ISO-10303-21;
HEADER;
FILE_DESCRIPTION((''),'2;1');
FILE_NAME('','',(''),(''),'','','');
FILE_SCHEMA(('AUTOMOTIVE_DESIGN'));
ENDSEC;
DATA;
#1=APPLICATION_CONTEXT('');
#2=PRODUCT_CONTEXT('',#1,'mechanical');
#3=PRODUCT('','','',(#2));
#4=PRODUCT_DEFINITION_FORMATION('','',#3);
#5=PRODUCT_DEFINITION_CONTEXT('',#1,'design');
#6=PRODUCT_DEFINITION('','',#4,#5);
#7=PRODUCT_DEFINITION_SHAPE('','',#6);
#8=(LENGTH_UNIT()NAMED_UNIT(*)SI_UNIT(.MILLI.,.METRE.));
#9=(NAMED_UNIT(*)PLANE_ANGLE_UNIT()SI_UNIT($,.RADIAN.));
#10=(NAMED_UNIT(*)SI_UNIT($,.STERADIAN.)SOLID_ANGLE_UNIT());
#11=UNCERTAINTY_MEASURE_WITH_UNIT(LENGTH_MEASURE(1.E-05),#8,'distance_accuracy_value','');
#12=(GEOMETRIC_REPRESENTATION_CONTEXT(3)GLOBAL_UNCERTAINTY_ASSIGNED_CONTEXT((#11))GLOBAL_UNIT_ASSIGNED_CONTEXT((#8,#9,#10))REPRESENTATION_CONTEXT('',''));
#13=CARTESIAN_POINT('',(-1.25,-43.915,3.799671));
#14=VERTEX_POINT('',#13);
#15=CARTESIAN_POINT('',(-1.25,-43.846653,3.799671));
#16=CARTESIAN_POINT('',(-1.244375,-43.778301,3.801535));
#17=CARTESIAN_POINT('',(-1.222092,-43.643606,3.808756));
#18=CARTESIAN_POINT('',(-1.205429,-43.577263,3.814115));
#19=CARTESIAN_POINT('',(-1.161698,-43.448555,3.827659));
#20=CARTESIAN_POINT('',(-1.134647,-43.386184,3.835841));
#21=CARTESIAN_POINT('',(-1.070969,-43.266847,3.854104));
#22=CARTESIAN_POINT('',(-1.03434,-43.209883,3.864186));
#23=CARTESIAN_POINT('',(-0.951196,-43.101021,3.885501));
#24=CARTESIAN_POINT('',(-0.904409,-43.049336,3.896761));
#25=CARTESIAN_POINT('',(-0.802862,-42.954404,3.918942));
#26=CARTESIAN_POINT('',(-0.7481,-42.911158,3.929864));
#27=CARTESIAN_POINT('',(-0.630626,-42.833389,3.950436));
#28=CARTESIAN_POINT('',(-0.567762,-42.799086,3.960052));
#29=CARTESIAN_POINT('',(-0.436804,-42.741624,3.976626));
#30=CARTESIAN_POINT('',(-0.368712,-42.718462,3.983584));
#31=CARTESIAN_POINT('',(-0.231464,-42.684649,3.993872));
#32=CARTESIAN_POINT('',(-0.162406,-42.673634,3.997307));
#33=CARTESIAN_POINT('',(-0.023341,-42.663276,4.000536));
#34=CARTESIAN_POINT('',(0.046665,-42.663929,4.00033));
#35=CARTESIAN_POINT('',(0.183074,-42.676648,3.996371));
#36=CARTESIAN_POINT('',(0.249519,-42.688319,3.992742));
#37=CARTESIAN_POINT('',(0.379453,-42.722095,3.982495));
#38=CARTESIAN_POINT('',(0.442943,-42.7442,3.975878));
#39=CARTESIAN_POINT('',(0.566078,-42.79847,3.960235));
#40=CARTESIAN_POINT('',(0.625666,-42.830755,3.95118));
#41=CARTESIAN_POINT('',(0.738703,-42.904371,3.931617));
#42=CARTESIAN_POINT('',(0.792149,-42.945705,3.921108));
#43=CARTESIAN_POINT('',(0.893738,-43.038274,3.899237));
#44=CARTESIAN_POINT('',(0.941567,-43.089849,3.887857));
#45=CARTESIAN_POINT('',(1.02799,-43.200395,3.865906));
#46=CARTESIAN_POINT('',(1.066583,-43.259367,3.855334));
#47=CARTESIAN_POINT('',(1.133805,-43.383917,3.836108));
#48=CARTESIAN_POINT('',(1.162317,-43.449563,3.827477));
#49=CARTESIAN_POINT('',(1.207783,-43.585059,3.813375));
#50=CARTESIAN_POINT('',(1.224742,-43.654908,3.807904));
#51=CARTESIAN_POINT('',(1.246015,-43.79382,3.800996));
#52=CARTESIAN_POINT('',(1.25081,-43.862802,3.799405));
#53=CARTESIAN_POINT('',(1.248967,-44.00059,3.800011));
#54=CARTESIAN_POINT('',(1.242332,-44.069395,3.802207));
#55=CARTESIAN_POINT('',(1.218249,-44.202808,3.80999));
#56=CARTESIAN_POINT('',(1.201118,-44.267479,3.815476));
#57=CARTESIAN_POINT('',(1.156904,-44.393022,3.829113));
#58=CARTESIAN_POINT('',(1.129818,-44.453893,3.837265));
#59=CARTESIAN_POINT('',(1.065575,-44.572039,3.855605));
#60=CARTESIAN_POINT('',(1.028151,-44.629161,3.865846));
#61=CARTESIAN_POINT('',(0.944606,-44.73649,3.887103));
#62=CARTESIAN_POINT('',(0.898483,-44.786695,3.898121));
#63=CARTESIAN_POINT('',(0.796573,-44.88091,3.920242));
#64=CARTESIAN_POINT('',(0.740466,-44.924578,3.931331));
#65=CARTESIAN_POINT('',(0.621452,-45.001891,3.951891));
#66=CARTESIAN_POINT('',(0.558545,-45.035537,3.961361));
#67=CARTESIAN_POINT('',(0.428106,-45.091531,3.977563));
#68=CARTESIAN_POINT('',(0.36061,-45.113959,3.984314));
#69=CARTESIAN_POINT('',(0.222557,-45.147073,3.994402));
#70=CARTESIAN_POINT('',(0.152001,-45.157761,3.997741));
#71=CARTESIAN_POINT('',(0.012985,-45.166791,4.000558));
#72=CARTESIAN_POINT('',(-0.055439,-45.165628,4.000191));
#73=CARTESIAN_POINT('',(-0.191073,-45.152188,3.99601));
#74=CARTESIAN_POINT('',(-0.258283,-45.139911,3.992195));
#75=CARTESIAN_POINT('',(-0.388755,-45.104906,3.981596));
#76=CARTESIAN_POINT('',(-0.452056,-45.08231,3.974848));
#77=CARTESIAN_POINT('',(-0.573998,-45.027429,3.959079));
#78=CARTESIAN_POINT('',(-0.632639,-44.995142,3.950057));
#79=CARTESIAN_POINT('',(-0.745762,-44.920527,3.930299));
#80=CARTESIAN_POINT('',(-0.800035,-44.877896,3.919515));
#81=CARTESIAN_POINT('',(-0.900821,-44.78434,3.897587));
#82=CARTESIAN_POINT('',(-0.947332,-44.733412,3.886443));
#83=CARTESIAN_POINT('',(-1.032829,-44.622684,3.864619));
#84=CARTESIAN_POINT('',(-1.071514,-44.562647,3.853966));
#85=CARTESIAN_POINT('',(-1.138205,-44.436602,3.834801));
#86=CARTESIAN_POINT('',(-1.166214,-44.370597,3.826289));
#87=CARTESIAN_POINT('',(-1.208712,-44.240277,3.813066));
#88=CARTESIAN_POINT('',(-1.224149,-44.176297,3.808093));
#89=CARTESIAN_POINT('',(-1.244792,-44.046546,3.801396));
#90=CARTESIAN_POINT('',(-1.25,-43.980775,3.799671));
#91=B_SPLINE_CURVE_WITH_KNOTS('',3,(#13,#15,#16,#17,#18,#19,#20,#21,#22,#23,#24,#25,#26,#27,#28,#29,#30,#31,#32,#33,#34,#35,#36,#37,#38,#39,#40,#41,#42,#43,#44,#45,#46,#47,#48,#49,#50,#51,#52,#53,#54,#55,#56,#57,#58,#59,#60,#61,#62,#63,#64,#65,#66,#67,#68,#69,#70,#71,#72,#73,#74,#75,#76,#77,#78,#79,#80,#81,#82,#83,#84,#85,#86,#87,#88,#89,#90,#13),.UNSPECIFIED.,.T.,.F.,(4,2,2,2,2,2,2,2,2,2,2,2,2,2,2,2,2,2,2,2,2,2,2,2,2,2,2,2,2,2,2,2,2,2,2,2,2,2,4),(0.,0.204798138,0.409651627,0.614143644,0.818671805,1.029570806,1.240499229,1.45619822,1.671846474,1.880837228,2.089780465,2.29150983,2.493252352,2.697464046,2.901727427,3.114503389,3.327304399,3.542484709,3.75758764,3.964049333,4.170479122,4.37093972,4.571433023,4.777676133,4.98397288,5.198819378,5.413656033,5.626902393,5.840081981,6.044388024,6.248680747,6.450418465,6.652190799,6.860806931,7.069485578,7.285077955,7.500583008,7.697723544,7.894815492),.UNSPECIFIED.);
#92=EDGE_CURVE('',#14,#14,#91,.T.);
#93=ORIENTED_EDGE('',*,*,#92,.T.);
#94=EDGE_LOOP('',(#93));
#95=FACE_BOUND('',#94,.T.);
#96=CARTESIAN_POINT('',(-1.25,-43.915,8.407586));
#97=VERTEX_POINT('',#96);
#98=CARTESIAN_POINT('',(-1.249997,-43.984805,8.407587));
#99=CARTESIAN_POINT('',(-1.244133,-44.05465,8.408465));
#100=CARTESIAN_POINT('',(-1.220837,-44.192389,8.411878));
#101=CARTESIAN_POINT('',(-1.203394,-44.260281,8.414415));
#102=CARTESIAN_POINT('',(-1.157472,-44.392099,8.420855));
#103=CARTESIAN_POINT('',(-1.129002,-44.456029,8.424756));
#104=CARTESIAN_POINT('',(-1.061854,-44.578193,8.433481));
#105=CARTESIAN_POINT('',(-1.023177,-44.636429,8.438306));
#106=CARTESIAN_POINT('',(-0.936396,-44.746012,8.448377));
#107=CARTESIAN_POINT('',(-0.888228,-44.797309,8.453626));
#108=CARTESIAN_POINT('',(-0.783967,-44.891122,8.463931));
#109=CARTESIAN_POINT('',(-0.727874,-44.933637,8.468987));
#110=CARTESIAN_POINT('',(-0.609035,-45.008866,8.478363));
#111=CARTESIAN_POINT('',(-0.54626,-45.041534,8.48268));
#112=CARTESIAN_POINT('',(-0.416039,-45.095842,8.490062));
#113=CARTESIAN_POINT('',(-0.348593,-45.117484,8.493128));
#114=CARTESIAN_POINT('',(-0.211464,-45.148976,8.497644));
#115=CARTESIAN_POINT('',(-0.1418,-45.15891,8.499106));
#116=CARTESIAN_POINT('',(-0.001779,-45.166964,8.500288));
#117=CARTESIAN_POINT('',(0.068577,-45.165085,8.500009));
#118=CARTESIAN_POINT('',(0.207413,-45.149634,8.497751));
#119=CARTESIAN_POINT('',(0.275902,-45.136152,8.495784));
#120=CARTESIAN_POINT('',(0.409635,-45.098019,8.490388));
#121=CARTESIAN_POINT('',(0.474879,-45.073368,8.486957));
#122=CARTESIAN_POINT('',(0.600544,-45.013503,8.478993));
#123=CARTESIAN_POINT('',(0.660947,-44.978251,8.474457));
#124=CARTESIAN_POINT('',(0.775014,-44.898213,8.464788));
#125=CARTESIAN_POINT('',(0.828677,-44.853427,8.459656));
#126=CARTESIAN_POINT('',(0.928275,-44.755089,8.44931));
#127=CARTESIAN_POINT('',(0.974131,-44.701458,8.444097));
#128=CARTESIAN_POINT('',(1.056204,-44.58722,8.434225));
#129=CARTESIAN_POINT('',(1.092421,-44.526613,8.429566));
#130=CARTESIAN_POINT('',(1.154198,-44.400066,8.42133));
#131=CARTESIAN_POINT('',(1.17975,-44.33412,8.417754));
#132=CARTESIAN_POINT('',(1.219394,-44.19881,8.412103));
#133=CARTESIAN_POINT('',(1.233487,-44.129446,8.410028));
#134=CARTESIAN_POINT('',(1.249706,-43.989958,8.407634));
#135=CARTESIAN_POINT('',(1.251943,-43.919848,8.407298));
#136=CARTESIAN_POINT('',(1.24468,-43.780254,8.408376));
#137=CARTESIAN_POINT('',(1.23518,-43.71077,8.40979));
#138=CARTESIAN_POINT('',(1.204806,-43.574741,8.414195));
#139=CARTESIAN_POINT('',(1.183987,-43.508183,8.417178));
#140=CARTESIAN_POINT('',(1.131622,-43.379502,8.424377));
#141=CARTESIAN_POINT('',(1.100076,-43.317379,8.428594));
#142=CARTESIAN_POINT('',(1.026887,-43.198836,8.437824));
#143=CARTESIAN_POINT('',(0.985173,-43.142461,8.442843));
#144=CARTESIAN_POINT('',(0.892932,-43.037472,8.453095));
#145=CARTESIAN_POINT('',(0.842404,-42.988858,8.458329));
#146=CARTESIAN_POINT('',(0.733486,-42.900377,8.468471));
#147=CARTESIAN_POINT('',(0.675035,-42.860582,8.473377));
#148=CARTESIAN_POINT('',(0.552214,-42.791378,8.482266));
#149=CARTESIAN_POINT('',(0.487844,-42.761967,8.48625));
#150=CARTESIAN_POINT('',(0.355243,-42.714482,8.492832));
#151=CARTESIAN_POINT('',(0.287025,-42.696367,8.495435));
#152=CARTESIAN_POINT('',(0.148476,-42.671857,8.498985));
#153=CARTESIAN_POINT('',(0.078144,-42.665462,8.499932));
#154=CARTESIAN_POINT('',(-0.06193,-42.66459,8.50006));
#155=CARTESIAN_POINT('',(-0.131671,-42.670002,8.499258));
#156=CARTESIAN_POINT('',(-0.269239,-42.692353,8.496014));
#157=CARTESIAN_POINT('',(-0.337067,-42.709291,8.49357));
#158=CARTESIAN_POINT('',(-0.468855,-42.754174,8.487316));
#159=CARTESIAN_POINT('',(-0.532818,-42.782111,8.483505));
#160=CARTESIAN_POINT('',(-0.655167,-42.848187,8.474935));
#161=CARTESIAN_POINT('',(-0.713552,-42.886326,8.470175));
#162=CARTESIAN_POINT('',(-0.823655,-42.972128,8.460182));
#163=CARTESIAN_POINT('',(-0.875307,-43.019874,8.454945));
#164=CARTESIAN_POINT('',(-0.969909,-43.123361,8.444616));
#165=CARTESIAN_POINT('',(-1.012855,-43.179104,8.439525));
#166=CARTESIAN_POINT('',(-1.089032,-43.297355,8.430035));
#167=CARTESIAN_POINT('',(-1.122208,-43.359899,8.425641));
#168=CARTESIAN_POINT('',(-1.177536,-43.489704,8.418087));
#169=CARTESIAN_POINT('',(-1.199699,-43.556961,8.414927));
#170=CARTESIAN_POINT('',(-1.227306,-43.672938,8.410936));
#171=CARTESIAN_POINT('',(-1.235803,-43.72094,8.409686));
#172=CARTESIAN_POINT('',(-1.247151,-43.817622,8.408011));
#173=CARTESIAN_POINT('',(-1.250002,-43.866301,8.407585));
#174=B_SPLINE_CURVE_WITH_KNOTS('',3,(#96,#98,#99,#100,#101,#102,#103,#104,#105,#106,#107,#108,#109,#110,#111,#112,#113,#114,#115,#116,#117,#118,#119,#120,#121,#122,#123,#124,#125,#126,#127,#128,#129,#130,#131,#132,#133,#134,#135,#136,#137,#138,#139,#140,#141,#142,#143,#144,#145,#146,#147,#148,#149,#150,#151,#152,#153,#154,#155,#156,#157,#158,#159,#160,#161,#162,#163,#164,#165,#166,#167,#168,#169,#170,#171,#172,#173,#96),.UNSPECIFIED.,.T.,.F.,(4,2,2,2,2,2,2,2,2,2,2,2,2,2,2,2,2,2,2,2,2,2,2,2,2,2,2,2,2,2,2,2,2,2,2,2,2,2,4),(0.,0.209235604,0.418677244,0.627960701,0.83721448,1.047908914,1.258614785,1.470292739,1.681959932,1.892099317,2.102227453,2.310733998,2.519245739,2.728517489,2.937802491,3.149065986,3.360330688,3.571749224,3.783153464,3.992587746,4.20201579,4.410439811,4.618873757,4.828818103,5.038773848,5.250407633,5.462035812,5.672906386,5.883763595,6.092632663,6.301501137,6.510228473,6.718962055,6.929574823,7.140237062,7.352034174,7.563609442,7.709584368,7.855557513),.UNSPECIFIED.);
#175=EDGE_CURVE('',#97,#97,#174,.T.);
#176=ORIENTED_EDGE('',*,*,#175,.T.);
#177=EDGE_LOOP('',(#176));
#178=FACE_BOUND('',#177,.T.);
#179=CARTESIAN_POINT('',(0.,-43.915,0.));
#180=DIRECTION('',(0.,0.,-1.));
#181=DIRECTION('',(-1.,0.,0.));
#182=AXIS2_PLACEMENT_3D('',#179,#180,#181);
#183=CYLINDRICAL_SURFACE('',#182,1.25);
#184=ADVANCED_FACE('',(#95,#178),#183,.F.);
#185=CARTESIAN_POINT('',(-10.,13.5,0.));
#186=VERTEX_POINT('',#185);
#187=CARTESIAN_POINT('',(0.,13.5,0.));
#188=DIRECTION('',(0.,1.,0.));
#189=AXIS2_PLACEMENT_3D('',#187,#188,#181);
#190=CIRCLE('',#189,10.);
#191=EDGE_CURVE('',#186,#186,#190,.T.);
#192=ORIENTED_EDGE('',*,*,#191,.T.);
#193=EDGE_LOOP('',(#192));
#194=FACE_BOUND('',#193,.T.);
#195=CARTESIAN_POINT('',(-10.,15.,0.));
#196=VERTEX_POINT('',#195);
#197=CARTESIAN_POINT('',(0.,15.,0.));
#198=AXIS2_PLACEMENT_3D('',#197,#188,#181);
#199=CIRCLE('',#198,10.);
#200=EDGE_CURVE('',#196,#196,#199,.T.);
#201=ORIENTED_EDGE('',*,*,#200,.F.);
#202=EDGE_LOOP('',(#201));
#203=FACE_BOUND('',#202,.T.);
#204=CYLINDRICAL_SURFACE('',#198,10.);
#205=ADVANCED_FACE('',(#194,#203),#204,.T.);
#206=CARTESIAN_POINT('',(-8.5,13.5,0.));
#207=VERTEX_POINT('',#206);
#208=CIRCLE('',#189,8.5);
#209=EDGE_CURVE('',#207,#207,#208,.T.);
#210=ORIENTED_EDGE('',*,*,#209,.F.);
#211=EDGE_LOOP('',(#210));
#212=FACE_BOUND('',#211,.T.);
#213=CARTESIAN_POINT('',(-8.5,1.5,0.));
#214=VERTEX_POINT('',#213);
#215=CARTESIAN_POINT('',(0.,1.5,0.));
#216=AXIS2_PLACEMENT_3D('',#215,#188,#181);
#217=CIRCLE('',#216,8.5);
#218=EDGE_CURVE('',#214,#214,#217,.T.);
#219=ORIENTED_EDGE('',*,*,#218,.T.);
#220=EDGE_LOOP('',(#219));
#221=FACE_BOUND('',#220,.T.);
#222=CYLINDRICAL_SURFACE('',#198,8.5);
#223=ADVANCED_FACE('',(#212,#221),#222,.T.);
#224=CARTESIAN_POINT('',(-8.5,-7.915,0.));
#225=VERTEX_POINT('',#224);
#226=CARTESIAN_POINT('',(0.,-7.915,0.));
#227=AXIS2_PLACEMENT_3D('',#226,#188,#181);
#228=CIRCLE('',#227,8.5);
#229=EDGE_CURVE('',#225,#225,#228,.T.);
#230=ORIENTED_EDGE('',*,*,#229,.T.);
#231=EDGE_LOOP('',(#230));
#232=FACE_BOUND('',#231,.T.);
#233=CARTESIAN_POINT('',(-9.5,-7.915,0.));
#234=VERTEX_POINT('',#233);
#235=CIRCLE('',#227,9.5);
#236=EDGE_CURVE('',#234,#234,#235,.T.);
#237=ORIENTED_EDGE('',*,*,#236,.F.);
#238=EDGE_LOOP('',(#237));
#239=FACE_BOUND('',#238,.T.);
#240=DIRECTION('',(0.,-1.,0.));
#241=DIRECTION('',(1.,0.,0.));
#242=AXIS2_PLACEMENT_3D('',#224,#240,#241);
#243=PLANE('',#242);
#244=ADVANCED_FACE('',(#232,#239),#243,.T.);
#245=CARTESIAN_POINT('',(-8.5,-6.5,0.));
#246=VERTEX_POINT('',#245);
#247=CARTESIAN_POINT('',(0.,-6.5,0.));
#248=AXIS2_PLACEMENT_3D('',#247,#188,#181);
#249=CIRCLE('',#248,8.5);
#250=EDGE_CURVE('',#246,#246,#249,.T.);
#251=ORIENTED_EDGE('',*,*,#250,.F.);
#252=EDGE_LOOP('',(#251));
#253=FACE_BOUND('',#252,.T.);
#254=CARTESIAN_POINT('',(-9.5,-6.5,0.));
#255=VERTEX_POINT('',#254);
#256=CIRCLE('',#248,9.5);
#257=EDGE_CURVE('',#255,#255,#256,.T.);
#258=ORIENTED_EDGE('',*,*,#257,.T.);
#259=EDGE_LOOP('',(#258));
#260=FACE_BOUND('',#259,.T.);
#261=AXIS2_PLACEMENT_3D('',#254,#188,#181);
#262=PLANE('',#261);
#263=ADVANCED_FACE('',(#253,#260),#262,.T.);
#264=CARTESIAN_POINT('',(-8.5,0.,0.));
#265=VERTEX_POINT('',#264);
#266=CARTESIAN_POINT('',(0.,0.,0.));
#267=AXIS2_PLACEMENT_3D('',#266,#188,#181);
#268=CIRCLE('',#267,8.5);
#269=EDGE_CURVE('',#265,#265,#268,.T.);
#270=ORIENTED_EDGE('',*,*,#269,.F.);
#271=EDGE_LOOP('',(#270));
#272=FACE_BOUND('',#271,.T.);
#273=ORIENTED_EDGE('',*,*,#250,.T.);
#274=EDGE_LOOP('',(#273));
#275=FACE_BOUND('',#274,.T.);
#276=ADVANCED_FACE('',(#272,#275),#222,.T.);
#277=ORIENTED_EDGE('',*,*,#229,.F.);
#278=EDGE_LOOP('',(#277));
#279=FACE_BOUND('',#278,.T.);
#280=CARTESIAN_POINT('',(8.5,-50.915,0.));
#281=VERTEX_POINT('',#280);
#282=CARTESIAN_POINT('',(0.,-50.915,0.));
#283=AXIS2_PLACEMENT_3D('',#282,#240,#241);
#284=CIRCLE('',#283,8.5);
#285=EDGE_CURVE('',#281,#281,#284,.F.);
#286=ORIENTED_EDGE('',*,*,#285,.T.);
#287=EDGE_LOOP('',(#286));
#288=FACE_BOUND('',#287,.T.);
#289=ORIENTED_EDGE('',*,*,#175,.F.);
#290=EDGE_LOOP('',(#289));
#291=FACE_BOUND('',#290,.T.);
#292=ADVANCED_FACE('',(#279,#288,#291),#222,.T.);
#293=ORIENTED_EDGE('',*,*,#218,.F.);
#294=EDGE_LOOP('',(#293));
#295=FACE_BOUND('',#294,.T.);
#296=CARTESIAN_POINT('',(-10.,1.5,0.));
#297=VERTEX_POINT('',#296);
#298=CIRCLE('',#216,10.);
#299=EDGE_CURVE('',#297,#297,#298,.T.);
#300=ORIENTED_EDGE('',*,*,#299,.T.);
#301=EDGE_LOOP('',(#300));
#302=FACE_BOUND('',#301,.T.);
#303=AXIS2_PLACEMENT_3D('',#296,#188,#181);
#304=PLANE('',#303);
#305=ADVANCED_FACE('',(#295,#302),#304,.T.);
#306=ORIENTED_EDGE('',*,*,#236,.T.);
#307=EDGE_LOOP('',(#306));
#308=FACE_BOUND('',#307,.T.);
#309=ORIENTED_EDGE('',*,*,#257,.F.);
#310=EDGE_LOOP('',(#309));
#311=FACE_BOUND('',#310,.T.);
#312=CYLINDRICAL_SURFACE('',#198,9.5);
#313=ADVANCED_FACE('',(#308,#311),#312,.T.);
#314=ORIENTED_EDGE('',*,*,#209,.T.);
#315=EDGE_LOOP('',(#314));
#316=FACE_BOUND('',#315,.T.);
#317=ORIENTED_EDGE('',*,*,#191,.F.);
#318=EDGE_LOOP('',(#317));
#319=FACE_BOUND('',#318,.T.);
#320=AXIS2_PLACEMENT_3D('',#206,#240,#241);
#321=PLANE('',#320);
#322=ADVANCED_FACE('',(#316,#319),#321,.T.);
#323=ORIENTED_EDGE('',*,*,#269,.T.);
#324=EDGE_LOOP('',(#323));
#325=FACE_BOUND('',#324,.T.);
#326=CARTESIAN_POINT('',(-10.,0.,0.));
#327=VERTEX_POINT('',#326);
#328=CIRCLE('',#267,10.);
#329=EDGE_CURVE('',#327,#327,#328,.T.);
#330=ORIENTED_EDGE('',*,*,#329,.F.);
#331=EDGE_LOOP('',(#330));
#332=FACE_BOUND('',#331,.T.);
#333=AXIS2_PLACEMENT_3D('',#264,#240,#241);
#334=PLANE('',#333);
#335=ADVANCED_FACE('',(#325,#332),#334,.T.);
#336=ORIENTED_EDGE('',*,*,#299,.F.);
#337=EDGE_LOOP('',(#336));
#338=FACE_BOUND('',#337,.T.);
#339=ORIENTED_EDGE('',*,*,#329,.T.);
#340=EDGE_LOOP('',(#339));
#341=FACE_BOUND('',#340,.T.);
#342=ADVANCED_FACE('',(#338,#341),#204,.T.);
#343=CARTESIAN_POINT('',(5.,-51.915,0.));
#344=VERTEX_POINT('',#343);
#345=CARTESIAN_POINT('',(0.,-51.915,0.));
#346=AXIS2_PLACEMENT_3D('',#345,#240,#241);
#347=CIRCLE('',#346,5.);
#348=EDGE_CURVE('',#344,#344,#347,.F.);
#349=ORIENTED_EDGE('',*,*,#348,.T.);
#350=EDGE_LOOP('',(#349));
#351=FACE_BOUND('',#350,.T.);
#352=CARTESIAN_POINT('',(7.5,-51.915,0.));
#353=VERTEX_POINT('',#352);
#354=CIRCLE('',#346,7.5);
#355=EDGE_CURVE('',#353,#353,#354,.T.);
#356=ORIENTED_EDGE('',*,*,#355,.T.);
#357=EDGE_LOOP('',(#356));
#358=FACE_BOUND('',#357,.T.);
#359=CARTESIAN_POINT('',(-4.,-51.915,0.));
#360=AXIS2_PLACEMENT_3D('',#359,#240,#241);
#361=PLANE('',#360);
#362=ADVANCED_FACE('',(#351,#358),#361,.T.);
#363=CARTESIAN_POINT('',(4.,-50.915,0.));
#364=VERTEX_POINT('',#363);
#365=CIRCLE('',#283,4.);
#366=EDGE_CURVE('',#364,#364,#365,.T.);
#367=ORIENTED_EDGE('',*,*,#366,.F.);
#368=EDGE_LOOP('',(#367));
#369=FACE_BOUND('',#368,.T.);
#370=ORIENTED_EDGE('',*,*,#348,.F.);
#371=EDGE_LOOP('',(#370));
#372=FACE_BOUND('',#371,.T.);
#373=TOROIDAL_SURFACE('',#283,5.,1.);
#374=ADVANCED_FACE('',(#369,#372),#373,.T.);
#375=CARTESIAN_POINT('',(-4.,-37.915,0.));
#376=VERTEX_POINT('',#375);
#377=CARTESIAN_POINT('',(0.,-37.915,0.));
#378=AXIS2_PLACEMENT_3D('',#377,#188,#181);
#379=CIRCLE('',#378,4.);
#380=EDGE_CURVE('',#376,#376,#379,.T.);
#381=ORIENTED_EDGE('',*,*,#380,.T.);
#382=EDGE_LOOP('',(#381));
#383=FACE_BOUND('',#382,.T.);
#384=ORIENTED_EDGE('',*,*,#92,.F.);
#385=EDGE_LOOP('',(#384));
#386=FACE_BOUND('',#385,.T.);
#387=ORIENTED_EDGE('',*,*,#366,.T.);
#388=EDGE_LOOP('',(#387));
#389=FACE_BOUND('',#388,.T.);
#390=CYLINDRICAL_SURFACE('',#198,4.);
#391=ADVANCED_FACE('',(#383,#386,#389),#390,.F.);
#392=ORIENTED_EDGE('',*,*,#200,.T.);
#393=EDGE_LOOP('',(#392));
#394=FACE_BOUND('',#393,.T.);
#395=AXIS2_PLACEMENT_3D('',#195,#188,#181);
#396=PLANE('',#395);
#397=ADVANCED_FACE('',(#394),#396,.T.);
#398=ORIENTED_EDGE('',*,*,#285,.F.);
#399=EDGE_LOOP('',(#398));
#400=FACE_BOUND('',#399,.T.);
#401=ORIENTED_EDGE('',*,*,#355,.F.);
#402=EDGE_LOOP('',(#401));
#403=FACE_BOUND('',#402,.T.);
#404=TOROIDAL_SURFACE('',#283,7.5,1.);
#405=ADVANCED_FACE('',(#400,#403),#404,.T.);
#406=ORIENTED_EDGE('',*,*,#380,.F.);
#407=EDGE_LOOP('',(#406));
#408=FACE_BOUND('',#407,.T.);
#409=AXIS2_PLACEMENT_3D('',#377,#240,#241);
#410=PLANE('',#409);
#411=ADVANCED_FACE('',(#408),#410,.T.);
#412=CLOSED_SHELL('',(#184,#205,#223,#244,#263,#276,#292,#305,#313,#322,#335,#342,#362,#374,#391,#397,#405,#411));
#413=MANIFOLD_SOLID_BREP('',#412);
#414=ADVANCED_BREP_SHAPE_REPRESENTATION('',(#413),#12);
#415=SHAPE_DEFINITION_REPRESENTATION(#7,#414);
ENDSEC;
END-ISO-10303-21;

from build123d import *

# Parameters (mm, degrees)
FILLET1_R = 1
SKETCH3_W = 1.25
SKETCH3_H = 8.5


with BuildPart() as part:
    # Sketch1 → Revolve1 (revolve)
    with BuildSketch(Plane.XY):
        Polygon((-8.5, -51.915), (-8.5, -7.915), (-9.5, -7.915), (-9.5, -6.5), (-8.5, -6.5), (-8.5, 0), (-10, 0), (-10, 1.5), (-8.5, 1.5), (-8.5, 13.5), (-10, 13.5), (-10, 15), (0, 15), (0, -37.915), (-4, -37.915), (-4, -51.915), align=None)
    revolve(axis=Axis((0, 15, 0), (0, -1, 0)))

    # Fillet1
    fillet1_edges = [part.edges().sort_by_distance(p)[0] for p in [
        (8.5, -51.915, 0),
        (4, -51.915, 0),
    ]]
    fillet(fillet1_edges, radius=FILLET1_R)

    # Sketch3 → M3x0.5 Tapped Hole1 (revolve, cut)
    with BuildSketch(Plane(origin=(0, -43.915, 0), x_dir=(0, 1, 0), z_dir=(1, 0, 0))):
        with Locations((0.625, 4.25)):
            Rectangle(SKETCH3_W, SKETCH3_H)
    revolve(axis=Axis((0, -43.915, -6.35), (0, 0, 1)), mode=Mode.SUBTRACT)


solid = part.part
